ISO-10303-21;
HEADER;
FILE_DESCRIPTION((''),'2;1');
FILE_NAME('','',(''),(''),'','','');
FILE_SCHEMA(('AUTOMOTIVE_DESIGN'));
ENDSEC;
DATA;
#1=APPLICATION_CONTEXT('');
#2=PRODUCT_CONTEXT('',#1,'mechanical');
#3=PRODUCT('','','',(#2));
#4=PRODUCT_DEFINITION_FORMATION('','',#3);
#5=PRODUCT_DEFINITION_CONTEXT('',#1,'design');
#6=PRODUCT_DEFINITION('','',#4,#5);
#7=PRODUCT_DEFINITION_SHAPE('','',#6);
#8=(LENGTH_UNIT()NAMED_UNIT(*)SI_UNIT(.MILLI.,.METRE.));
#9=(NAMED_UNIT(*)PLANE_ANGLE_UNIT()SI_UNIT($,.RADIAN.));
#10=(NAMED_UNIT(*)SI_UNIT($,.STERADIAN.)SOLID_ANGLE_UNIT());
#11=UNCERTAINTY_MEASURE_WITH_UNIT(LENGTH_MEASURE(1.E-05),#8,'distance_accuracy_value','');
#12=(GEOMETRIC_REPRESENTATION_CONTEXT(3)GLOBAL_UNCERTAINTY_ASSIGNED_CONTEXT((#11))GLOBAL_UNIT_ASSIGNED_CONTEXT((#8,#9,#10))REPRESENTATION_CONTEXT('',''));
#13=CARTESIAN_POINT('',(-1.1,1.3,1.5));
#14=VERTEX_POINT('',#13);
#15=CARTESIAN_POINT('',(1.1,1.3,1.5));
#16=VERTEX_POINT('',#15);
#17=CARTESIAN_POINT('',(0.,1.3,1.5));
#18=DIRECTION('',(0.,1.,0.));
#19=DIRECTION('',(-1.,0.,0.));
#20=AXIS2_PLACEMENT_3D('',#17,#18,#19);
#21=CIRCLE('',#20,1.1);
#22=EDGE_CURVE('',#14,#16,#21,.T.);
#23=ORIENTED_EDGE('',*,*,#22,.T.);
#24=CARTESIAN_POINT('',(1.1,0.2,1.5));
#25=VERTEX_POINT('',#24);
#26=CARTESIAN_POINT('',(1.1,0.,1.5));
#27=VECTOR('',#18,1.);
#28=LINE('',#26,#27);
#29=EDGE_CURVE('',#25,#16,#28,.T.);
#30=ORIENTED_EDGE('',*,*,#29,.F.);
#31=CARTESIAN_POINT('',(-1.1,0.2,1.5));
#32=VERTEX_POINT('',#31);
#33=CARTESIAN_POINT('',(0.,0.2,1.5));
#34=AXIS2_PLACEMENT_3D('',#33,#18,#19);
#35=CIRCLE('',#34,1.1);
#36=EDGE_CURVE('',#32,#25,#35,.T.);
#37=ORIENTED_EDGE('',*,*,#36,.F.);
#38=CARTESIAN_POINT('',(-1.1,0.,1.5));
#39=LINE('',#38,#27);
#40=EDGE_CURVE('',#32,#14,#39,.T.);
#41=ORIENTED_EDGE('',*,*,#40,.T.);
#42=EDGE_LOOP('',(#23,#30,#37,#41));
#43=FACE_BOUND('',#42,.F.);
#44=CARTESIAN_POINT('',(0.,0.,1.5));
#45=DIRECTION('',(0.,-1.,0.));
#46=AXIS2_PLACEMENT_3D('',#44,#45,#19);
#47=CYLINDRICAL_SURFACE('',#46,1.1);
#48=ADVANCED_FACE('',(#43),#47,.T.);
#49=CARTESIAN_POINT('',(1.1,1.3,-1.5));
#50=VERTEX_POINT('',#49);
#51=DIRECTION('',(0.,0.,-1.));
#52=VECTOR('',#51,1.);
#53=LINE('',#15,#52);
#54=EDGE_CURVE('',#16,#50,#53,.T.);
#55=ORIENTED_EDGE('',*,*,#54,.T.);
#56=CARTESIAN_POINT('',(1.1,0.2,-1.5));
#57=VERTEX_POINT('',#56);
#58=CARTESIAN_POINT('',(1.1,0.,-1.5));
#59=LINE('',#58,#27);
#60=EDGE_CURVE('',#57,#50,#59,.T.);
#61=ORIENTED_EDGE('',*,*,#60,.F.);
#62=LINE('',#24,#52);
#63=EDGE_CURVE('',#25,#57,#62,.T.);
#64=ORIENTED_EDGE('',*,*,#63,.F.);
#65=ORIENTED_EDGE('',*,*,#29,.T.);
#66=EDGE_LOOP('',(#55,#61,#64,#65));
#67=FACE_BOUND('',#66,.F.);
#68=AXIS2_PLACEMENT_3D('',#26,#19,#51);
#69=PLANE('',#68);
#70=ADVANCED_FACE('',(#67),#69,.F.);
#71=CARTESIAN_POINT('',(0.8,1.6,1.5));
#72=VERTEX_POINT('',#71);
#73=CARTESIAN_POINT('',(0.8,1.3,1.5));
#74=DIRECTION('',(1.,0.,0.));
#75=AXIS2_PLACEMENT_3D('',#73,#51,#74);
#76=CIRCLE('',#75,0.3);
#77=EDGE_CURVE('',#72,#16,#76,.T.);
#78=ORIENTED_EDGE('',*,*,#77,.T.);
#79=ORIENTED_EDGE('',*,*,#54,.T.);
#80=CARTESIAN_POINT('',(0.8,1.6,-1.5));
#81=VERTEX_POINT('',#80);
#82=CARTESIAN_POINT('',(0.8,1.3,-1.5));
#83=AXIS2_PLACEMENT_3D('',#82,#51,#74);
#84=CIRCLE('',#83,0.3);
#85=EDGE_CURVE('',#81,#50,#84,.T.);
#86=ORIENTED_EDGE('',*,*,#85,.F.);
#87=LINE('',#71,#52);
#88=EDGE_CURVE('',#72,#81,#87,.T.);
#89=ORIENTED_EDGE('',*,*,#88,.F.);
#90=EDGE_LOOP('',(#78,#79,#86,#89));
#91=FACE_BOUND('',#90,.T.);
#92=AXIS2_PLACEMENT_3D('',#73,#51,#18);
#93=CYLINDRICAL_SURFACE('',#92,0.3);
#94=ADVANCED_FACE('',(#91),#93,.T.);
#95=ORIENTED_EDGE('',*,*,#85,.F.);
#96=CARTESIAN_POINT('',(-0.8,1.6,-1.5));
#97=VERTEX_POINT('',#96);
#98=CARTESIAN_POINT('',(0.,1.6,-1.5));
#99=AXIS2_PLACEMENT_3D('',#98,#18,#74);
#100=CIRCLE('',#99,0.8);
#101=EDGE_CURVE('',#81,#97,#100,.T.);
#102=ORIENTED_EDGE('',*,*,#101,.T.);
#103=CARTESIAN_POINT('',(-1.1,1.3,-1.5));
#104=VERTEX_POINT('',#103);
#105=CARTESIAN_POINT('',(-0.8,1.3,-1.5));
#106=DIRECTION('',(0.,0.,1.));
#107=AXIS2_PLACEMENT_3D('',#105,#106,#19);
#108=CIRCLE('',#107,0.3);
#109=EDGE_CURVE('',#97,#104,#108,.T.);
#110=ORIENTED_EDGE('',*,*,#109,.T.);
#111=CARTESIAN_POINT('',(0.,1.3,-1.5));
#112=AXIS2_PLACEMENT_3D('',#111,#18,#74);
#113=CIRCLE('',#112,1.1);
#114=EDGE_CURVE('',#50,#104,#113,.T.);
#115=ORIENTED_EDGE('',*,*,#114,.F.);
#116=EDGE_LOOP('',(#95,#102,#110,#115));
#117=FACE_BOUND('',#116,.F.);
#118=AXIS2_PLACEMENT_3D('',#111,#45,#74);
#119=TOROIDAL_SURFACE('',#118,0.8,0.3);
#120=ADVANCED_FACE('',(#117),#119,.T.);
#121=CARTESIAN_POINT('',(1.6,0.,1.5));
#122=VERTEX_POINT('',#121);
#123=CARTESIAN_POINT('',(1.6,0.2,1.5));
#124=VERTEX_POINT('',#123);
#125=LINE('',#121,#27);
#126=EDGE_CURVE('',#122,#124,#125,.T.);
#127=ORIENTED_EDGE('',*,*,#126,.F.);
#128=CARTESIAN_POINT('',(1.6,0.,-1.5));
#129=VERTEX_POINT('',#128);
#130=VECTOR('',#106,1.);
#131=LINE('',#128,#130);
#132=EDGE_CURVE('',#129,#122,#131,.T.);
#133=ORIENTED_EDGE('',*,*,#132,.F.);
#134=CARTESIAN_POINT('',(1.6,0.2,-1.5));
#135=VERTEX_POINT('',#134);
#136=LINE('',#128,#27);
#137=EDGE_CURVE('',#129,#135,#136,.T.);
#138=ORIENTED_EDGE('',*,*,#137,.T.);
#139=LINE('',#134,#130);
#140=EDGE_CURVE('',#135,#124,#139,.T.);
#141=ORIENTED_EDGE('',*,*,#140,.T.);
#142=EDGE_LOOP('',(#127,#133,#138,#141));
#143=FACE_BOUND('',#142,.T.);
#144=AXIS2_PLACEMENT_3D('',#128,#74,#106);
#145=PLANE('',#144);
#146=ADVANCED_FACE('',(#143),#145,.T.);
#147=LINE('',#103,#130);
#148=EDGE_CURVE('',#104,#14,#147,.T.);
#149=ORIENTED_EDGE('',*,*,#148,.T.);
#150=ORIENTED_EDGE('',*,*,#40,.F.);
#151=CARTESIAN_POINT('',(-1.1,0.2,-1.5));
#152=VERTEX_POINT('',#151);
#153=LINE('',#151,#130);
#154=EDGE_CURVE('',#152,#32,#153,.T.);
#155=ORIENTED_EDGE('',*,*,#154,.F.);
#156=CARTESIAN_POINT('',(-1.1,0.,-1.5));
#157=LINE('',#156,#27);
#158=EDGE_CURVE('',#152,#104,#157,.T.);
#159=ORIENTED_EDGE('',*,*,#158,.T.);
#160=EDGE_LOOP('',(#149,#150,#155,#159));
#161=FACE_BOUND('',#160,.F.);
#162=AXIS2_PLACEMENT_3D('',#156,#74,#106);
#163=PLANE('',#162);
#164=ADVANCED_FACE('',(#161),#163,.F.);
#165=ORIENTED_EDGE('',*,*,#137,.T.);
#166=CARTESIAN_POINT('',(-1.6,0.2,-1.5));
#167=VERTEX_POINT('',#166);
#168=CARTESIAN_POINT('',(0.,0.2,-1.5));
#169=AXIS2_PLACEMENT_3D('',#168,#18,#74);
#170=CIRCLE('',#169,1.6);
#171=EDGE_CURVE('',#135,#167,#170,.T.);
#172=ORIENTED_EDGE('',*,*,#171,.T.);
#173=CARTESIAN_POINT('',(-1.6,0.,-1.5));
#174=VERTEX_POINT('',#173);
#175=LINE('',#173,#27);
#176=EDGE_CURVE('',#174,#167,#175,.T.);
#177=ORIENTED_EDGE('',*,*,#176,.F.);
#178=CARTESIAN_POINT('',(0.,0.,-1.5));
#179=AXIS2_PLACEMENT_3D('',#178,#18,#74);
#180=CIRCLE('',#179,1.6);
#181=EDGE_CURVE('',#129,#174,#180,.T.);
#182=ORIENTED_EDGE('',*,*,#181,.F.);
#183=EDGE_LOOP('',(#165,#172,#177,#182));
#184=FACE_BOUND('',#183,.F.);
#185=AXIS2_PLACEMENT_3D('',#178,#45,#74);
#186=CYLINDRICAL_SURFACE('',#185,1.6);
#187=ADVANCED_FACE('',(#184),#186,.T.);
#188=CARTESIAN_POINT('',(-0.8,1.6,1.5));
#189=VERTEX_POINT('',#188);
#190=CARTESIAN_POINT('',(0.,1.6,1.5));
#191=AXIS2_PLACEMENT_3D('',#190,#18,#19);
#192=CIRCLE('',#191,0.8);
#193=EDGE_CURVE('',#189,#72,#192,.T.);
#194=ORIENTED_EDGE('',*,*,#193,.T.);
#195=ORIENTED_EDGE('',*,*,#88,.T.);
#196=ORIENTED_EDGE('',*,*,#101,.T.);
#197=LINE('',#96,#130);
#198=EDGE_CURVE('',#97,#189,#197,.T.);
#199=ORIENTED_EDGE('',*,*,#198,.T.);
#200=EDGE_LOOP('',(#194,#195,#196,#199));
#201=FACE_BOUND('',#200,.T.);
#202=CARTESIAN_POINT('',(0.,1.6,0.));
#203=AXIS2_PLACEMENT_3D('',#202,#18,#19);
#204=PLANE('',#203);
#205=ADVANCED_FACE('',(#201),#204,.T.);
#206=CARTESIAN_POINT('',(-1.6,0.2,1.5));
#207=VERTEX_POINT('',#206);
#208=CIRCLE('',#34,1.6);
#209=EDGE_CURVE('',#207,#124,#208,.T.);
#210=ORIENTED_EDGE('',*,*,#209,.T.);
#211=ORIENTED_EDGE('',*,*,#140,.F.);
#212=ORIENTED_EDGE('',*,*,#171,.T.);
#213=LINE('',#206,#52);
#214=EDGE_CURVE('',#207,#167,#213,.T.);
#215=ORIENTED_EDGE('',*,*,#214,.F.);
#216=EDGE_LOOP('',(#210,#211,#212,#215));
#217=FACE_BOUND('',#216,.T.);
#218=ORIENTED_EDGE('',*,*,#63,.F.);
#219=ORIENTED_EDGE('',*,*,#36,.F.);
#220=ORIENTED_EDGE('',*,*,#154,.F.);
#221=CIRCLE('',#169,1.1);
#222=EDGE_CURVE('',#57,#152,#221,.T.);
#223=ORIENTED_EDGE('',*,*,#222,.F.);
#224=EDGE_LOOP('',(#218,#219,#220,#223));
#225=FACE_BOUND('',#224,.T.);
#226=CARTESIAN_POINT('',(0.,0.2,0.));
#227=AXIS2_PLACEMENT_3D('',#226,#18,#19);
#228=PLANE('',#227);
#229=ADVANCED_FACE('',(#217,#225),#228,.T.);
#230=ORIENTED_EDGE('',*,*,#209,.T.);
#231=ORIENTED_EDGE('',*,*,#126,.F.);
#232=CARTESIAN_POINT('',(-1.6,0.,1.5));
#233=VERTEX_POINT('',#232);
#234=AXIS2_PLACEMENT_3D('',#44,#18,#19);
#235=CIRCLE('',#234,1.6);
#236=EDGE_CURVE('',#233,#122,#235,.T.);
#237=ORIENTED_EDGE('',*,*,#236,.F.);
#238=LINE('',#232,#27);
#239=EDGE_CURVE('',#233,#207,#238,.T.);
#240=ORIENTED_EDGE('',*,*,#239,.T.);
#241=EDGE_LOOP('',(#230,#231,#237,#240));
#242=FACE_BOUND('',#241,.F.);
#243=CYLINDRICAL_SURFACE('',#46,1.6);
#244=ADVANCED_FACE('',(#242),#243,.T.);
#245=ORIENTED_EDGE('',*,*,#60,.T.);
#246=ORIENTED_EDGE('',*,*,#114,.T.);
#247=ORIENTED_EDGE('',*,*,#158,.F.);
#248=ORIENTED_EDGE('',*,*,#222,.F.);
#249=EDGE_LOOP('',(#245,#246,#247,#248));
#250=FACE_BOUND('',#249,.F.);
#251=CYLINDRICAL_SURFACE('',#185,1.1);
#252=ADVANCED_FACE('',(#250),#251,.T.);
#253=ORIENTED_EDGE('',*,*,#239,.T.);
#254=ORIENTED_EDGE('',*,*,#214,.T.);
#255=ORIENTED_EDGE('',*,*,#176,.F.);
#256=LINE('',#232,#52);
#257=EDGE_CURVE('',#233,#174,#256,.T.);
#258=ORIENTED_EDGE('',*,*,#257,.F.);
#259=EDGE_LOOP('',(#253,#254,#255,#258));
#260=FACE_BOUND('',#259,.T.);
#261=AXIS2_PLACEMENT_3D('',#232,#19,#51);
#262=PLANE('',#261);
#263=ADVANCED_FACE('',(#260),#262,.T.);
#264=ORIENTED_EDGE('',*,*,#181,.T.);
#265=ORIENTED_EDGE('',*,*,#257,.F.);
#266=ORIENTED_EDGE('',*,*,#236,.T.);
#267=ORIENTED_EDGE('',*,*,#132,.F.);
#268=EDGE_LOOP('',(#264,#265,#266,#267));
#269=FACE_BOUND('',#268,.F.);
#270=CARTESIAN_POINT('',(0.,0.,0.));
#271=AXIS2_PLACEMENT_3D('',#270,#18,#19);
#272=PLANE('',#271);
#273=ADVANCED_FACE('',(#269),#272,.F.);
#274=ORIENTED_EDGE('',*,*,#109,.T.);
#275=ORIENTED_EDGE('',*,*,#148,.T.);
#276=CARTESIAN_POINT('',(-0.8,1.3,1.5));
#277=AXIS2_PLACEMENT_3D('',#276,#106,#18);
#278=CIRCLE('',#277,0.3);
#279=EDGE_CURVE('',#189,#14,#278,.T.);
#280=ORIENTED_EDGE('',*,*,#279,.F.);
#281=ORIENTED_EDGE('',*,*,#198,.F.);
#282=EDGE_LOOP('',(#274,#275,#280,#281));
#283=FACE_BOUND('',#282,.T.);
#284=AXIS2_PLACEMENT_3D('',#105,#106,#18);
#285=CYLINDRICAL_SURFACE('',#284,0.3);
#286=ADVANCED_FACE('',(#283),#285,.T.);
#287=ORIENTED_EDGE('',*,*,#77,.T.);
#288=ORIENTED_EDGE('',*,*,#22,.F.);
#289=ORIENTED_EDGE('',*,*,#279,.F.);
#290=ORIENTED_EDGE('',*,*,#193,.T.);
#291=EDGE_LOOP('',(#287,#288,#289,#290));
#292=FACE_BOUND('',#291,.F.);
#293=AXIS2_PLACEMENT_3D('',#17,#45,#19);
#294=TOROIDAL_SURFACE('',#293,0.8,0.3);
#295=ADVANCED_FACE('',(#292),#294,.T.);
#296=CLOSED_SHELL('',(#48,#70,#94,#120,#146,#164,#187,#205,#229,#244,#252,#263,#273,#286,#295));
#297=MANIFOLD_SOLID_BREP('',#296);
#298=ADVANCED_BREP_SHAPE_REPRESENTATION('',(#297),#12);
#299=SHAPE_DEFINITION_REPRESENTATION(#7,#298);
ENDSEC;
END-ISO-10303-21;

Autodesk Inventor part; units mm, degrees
ref_plane "YZ Plane" through (0, 0, 0) normal (1, 0, 0) x (0, 1, 0)
ref_plane "XZ Plane" through (0, 0, 0) normal (0, 1, 0) x (-1, 0, 0)
ref_plane "XY Plane" through (0, 0, 0) normal (0, 0, 1) x (1, 0, 0)
sketch "Sketch1" plane through (0, 0, 0) normal (0, 1, 0) x (-1, 0, 0)
  line L0 (0, 1.5) -> (0, -1.5) construction
  line L1 (-1.1, 1.5) -> (-1.1, -1.5)
  line L2 (1.1, -1.5) -> (1.1, 1.5)
  arc A0 (1.1, 1.5) -> (-1.1, 1.5) centre (0, 1.5) ccw
  arc A1 (-1.1, -1.5) -> (1.1, -1.5) centre (0, -1.5) ccw
  line L3 (1.6, 1.5) -> (1.6, -1.5)
  arc A2 (-1.6, -1.5) -> (1.6, -1.5) centre (0, -1.5) ccw
  line L4 (-1.6, -1.5) -> (-1.6, 1.5)
  arc A3 (1.6, 1.5) -> (-1.6, 1.5) centre (0, 1.5) ccw
  point P0 (0, 0)
  dimension "d0" = 3
  dimension "d1" = 2.2
  dimension "d2" = 0.5
extrude "button" add sketch "Sketch1" along normal blind 1.6 contours A0 L2 A1 L1
extrude "base" add sketch "Sketch1" along normal blind 0.2
fillet "Fillet1" radius 0.3 4 edges at (0, 1.6, -2.6) (-1.1, 1.6, 0) (0, 1.6, 2.6) (1.1, 1.6, 0)
properties part number "Button"
